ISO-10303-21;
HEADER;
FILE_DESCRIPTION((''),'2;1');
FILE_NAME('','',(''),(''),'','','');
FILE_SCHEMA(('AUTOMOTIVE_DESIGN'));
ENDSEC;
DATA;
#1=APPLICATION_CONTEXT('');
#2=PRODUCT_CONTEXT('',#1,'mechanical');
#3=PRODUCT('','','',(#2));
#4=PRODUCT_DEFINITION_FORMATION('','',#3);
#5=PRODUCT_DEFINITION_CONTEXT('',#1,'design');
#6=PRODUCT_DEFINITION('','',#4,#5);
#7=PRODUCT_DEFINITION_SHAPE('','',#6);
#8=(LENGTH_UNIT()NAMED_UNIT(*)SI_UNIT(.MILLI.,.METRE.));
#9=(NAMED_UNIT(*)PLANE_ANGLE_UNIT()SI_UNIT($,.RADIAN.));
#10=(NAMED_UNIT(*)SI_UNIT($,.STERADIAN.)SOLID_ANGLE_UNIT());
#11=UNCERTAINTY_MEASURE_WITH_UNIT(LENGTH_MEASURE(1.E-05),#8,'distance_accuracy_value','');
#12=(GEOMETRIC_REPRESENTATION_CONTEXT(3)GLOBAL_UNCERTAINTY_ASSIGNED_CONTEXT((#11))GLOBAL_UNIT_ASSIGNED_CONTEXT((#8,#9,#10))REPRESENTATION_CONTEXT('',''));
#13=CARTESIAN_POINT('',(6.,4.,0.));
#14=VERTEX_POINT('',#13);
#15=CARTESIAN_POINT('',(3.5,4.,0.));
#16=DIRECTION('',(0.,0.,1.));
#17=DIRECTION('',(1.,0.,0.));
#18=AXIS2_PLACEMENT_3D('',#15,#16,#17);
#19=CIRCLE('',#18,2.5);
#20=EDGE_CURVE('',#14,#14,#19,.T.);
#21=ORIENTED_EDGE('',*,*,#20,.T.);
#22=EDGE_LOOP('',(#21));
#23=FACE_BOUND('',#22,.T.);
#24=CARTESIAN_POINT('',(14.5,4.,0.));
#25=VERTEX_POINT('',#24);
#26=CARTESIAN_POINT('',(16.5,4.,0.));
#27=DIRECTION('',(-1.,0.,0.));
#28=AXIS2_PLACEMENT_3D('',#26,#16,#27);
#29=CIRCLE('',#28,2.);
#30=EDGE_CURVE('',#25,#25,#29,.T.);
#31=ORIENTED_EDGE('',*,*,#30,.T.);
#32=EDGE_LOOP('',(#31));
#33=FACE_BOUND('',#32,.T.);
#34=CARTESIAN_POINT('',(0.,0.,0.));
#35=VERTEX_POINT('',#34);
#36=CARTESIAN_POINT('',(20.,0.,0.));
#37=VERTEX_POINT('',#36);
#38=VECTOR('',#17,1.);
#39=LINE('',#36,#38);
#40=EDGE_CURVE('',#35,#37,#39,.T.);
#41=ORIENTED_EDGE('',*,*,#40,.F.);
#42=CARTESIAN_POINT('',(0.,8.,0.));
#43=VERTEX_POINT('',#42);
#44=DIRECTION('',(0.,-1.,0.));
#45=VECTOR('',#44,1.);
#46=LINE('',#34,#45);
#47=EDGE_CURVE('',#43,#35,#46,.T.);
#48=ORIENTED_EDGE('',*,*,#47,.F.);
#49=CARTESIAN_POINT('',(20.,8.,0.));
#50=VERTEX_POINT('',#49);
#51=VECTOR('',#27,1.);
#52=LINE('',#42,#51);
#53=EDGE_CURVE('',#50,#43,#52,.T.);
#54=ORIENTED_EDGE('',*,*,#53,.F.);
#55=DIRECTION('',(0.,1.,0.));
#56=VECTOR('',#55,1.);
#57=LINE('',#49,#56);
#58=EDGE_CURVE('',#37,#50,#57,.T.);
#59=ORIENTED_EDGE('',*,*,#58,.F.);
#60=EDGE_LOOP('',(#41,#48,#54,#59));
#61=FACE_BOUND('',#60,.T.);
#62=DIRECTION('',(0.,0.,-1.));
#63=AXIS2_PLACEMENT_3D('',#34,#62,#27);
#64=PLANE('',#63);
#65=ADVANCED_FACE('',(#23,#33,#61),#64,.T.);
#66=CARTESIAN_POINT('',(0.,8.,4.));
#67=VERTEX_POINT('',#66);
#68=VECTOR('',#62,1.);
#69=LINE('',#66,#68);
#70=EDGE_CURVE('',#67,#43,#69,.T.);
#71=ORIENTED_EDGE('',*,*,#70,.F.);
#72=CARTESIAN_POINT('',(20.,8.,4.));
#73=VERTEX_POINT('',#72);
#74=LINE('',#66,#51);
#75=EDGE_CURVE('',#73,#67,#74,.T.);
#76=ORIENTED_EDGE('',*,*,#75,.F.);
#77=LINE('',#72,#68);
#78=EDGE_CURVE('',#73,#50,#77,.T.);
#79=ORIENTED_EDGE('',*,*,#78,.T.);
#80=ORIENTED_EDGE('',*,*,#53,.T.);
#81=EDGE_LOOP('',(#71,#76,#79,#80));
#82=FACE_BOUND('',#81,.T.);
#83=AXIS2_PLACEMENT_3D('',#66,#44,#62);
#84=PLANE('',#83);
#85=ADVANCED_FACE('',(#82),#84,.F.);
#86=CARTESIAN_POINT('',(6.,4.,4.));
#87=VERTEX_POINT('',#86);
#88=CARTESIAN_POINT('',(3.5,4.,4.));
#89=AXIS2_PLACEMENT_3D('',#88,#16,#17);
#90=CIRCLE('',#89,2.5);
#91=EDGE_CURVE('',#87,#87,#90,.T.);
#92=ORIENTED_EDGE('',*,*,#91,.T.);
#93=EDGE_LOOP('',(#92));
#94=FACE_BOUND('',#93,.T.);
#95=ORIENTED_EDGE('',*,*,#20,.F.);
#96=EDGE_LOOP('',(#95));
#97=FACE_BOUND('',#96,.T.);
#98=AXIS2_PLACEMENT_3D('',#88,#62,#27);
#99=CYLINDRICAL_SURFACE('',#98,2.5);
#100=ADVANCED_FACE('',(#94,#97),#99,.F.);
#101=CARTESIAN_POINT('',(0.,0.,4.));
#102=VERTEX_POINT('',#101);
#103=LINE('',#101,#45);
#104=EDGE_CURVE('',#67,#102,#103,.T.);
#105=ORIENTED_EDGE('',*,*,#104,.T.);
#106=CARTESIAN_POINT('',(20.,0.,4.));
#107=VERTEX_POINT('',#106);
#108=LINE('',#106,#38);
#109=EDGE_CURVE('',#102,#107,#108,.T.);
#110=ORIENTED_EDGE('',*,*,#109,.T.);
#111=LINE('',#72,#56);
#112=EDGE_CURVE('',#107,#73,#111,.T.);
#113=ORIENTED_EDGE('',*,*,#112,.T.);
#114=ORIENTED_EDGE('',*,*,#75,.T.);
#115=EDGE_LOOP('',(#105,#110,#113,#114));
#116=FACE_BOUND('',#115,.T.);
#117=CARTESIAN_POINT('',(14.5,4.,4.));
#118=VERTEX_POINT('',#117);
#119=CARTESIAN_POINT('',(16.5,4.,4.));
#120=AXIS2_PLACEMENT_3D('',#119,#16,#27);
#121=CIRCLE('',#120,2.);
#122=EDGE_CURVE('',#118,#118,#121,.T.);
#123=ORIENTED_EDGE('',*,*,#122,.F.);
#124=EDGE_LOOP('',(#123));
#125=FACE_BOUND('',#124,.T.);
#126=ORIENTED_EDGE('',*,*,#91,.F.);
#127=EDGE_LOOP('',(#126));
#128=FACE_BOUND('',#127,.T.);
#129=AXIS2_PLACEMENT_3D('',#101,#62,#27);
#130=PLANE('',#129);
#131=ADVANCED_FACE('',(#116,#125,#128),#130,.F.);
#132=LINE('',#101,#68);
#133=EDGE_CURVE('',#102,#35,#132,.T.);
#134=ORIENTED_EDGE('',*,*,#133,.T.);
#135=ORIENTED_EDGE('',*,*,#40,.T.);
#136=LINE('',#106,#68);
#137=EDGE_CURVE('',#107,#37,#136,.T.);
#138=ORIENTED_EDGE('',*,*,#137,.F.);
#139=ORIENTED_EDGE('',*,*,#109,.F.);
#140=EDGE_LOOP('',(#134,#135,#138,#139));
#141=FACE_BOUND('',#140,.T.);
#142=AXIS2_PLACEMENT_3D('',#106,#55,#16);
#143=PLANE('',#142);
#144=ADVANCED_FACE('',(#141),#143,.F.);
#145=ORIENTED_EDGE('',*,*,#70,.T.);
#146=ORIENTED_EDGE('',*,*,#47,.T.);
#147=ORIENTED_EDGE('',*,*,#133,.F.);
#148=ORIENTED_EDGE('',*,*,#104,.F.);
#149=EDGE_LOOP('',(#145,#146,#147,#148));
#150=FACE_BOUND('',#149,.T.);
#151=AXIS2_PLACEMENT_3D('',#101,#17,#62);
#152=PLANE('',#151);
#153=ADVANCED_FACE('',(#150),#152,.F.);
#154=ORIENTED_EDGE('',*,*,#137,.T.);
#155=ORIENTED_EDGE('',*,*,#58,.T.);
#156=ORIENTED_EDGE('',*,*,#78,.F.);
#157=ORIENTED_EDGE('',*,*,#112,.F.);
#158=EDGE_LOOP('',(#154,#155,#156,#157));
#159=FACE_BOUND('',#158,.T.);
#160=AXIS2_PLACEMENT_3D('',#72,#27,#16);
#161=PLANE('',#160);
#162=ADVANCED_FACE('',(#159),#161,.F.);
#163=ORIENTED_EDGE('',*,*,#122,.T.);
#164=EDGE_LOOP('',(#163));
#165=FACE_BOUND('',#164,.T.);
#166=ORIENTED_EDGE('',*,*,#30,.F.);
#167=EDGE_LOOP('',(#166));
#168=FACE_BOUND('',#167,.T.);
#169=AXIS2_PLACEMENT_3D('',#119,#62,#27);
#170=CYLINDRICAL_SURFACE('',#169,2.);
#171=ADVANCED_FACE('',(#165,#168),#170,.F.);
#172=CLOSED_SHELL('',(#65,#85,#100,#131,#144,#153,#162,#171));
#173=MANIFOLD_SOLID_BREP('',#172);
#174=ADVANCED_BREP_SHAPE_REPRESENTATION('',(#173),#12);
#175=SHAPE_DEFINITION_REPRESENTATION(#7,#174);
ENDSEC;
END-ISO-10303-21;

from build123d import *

# Parameters (mm, degrees)
ESQUISSE1_W      = 20
ESQUISSE1_H      = 8
ESQUISSE1_R      = 2.5
ESQUISSE1_R_2    = 2
EXTRUSION1_DEPTH = 4


with BuildPart() as part:
    # Esquisse1 → Extrusion1 (new body)
    with BuildSketch(Plane.XY):
        with Locations((10, 4)):
            Rectangle(ESQUISSE1_W, ESQUISSE1_H)
        with Locations((3.5, 4)):
            Circle(ESQUISSE1_R, mode=Mode.SUBTRACT)
        with Locations((16.5, 4)):
            Circle(ESQUISSE1_R_2, mode=Mode.SUBTRACT)
    extrude(amount=EXTRUSION1_DEPTH)


solid = part.part
